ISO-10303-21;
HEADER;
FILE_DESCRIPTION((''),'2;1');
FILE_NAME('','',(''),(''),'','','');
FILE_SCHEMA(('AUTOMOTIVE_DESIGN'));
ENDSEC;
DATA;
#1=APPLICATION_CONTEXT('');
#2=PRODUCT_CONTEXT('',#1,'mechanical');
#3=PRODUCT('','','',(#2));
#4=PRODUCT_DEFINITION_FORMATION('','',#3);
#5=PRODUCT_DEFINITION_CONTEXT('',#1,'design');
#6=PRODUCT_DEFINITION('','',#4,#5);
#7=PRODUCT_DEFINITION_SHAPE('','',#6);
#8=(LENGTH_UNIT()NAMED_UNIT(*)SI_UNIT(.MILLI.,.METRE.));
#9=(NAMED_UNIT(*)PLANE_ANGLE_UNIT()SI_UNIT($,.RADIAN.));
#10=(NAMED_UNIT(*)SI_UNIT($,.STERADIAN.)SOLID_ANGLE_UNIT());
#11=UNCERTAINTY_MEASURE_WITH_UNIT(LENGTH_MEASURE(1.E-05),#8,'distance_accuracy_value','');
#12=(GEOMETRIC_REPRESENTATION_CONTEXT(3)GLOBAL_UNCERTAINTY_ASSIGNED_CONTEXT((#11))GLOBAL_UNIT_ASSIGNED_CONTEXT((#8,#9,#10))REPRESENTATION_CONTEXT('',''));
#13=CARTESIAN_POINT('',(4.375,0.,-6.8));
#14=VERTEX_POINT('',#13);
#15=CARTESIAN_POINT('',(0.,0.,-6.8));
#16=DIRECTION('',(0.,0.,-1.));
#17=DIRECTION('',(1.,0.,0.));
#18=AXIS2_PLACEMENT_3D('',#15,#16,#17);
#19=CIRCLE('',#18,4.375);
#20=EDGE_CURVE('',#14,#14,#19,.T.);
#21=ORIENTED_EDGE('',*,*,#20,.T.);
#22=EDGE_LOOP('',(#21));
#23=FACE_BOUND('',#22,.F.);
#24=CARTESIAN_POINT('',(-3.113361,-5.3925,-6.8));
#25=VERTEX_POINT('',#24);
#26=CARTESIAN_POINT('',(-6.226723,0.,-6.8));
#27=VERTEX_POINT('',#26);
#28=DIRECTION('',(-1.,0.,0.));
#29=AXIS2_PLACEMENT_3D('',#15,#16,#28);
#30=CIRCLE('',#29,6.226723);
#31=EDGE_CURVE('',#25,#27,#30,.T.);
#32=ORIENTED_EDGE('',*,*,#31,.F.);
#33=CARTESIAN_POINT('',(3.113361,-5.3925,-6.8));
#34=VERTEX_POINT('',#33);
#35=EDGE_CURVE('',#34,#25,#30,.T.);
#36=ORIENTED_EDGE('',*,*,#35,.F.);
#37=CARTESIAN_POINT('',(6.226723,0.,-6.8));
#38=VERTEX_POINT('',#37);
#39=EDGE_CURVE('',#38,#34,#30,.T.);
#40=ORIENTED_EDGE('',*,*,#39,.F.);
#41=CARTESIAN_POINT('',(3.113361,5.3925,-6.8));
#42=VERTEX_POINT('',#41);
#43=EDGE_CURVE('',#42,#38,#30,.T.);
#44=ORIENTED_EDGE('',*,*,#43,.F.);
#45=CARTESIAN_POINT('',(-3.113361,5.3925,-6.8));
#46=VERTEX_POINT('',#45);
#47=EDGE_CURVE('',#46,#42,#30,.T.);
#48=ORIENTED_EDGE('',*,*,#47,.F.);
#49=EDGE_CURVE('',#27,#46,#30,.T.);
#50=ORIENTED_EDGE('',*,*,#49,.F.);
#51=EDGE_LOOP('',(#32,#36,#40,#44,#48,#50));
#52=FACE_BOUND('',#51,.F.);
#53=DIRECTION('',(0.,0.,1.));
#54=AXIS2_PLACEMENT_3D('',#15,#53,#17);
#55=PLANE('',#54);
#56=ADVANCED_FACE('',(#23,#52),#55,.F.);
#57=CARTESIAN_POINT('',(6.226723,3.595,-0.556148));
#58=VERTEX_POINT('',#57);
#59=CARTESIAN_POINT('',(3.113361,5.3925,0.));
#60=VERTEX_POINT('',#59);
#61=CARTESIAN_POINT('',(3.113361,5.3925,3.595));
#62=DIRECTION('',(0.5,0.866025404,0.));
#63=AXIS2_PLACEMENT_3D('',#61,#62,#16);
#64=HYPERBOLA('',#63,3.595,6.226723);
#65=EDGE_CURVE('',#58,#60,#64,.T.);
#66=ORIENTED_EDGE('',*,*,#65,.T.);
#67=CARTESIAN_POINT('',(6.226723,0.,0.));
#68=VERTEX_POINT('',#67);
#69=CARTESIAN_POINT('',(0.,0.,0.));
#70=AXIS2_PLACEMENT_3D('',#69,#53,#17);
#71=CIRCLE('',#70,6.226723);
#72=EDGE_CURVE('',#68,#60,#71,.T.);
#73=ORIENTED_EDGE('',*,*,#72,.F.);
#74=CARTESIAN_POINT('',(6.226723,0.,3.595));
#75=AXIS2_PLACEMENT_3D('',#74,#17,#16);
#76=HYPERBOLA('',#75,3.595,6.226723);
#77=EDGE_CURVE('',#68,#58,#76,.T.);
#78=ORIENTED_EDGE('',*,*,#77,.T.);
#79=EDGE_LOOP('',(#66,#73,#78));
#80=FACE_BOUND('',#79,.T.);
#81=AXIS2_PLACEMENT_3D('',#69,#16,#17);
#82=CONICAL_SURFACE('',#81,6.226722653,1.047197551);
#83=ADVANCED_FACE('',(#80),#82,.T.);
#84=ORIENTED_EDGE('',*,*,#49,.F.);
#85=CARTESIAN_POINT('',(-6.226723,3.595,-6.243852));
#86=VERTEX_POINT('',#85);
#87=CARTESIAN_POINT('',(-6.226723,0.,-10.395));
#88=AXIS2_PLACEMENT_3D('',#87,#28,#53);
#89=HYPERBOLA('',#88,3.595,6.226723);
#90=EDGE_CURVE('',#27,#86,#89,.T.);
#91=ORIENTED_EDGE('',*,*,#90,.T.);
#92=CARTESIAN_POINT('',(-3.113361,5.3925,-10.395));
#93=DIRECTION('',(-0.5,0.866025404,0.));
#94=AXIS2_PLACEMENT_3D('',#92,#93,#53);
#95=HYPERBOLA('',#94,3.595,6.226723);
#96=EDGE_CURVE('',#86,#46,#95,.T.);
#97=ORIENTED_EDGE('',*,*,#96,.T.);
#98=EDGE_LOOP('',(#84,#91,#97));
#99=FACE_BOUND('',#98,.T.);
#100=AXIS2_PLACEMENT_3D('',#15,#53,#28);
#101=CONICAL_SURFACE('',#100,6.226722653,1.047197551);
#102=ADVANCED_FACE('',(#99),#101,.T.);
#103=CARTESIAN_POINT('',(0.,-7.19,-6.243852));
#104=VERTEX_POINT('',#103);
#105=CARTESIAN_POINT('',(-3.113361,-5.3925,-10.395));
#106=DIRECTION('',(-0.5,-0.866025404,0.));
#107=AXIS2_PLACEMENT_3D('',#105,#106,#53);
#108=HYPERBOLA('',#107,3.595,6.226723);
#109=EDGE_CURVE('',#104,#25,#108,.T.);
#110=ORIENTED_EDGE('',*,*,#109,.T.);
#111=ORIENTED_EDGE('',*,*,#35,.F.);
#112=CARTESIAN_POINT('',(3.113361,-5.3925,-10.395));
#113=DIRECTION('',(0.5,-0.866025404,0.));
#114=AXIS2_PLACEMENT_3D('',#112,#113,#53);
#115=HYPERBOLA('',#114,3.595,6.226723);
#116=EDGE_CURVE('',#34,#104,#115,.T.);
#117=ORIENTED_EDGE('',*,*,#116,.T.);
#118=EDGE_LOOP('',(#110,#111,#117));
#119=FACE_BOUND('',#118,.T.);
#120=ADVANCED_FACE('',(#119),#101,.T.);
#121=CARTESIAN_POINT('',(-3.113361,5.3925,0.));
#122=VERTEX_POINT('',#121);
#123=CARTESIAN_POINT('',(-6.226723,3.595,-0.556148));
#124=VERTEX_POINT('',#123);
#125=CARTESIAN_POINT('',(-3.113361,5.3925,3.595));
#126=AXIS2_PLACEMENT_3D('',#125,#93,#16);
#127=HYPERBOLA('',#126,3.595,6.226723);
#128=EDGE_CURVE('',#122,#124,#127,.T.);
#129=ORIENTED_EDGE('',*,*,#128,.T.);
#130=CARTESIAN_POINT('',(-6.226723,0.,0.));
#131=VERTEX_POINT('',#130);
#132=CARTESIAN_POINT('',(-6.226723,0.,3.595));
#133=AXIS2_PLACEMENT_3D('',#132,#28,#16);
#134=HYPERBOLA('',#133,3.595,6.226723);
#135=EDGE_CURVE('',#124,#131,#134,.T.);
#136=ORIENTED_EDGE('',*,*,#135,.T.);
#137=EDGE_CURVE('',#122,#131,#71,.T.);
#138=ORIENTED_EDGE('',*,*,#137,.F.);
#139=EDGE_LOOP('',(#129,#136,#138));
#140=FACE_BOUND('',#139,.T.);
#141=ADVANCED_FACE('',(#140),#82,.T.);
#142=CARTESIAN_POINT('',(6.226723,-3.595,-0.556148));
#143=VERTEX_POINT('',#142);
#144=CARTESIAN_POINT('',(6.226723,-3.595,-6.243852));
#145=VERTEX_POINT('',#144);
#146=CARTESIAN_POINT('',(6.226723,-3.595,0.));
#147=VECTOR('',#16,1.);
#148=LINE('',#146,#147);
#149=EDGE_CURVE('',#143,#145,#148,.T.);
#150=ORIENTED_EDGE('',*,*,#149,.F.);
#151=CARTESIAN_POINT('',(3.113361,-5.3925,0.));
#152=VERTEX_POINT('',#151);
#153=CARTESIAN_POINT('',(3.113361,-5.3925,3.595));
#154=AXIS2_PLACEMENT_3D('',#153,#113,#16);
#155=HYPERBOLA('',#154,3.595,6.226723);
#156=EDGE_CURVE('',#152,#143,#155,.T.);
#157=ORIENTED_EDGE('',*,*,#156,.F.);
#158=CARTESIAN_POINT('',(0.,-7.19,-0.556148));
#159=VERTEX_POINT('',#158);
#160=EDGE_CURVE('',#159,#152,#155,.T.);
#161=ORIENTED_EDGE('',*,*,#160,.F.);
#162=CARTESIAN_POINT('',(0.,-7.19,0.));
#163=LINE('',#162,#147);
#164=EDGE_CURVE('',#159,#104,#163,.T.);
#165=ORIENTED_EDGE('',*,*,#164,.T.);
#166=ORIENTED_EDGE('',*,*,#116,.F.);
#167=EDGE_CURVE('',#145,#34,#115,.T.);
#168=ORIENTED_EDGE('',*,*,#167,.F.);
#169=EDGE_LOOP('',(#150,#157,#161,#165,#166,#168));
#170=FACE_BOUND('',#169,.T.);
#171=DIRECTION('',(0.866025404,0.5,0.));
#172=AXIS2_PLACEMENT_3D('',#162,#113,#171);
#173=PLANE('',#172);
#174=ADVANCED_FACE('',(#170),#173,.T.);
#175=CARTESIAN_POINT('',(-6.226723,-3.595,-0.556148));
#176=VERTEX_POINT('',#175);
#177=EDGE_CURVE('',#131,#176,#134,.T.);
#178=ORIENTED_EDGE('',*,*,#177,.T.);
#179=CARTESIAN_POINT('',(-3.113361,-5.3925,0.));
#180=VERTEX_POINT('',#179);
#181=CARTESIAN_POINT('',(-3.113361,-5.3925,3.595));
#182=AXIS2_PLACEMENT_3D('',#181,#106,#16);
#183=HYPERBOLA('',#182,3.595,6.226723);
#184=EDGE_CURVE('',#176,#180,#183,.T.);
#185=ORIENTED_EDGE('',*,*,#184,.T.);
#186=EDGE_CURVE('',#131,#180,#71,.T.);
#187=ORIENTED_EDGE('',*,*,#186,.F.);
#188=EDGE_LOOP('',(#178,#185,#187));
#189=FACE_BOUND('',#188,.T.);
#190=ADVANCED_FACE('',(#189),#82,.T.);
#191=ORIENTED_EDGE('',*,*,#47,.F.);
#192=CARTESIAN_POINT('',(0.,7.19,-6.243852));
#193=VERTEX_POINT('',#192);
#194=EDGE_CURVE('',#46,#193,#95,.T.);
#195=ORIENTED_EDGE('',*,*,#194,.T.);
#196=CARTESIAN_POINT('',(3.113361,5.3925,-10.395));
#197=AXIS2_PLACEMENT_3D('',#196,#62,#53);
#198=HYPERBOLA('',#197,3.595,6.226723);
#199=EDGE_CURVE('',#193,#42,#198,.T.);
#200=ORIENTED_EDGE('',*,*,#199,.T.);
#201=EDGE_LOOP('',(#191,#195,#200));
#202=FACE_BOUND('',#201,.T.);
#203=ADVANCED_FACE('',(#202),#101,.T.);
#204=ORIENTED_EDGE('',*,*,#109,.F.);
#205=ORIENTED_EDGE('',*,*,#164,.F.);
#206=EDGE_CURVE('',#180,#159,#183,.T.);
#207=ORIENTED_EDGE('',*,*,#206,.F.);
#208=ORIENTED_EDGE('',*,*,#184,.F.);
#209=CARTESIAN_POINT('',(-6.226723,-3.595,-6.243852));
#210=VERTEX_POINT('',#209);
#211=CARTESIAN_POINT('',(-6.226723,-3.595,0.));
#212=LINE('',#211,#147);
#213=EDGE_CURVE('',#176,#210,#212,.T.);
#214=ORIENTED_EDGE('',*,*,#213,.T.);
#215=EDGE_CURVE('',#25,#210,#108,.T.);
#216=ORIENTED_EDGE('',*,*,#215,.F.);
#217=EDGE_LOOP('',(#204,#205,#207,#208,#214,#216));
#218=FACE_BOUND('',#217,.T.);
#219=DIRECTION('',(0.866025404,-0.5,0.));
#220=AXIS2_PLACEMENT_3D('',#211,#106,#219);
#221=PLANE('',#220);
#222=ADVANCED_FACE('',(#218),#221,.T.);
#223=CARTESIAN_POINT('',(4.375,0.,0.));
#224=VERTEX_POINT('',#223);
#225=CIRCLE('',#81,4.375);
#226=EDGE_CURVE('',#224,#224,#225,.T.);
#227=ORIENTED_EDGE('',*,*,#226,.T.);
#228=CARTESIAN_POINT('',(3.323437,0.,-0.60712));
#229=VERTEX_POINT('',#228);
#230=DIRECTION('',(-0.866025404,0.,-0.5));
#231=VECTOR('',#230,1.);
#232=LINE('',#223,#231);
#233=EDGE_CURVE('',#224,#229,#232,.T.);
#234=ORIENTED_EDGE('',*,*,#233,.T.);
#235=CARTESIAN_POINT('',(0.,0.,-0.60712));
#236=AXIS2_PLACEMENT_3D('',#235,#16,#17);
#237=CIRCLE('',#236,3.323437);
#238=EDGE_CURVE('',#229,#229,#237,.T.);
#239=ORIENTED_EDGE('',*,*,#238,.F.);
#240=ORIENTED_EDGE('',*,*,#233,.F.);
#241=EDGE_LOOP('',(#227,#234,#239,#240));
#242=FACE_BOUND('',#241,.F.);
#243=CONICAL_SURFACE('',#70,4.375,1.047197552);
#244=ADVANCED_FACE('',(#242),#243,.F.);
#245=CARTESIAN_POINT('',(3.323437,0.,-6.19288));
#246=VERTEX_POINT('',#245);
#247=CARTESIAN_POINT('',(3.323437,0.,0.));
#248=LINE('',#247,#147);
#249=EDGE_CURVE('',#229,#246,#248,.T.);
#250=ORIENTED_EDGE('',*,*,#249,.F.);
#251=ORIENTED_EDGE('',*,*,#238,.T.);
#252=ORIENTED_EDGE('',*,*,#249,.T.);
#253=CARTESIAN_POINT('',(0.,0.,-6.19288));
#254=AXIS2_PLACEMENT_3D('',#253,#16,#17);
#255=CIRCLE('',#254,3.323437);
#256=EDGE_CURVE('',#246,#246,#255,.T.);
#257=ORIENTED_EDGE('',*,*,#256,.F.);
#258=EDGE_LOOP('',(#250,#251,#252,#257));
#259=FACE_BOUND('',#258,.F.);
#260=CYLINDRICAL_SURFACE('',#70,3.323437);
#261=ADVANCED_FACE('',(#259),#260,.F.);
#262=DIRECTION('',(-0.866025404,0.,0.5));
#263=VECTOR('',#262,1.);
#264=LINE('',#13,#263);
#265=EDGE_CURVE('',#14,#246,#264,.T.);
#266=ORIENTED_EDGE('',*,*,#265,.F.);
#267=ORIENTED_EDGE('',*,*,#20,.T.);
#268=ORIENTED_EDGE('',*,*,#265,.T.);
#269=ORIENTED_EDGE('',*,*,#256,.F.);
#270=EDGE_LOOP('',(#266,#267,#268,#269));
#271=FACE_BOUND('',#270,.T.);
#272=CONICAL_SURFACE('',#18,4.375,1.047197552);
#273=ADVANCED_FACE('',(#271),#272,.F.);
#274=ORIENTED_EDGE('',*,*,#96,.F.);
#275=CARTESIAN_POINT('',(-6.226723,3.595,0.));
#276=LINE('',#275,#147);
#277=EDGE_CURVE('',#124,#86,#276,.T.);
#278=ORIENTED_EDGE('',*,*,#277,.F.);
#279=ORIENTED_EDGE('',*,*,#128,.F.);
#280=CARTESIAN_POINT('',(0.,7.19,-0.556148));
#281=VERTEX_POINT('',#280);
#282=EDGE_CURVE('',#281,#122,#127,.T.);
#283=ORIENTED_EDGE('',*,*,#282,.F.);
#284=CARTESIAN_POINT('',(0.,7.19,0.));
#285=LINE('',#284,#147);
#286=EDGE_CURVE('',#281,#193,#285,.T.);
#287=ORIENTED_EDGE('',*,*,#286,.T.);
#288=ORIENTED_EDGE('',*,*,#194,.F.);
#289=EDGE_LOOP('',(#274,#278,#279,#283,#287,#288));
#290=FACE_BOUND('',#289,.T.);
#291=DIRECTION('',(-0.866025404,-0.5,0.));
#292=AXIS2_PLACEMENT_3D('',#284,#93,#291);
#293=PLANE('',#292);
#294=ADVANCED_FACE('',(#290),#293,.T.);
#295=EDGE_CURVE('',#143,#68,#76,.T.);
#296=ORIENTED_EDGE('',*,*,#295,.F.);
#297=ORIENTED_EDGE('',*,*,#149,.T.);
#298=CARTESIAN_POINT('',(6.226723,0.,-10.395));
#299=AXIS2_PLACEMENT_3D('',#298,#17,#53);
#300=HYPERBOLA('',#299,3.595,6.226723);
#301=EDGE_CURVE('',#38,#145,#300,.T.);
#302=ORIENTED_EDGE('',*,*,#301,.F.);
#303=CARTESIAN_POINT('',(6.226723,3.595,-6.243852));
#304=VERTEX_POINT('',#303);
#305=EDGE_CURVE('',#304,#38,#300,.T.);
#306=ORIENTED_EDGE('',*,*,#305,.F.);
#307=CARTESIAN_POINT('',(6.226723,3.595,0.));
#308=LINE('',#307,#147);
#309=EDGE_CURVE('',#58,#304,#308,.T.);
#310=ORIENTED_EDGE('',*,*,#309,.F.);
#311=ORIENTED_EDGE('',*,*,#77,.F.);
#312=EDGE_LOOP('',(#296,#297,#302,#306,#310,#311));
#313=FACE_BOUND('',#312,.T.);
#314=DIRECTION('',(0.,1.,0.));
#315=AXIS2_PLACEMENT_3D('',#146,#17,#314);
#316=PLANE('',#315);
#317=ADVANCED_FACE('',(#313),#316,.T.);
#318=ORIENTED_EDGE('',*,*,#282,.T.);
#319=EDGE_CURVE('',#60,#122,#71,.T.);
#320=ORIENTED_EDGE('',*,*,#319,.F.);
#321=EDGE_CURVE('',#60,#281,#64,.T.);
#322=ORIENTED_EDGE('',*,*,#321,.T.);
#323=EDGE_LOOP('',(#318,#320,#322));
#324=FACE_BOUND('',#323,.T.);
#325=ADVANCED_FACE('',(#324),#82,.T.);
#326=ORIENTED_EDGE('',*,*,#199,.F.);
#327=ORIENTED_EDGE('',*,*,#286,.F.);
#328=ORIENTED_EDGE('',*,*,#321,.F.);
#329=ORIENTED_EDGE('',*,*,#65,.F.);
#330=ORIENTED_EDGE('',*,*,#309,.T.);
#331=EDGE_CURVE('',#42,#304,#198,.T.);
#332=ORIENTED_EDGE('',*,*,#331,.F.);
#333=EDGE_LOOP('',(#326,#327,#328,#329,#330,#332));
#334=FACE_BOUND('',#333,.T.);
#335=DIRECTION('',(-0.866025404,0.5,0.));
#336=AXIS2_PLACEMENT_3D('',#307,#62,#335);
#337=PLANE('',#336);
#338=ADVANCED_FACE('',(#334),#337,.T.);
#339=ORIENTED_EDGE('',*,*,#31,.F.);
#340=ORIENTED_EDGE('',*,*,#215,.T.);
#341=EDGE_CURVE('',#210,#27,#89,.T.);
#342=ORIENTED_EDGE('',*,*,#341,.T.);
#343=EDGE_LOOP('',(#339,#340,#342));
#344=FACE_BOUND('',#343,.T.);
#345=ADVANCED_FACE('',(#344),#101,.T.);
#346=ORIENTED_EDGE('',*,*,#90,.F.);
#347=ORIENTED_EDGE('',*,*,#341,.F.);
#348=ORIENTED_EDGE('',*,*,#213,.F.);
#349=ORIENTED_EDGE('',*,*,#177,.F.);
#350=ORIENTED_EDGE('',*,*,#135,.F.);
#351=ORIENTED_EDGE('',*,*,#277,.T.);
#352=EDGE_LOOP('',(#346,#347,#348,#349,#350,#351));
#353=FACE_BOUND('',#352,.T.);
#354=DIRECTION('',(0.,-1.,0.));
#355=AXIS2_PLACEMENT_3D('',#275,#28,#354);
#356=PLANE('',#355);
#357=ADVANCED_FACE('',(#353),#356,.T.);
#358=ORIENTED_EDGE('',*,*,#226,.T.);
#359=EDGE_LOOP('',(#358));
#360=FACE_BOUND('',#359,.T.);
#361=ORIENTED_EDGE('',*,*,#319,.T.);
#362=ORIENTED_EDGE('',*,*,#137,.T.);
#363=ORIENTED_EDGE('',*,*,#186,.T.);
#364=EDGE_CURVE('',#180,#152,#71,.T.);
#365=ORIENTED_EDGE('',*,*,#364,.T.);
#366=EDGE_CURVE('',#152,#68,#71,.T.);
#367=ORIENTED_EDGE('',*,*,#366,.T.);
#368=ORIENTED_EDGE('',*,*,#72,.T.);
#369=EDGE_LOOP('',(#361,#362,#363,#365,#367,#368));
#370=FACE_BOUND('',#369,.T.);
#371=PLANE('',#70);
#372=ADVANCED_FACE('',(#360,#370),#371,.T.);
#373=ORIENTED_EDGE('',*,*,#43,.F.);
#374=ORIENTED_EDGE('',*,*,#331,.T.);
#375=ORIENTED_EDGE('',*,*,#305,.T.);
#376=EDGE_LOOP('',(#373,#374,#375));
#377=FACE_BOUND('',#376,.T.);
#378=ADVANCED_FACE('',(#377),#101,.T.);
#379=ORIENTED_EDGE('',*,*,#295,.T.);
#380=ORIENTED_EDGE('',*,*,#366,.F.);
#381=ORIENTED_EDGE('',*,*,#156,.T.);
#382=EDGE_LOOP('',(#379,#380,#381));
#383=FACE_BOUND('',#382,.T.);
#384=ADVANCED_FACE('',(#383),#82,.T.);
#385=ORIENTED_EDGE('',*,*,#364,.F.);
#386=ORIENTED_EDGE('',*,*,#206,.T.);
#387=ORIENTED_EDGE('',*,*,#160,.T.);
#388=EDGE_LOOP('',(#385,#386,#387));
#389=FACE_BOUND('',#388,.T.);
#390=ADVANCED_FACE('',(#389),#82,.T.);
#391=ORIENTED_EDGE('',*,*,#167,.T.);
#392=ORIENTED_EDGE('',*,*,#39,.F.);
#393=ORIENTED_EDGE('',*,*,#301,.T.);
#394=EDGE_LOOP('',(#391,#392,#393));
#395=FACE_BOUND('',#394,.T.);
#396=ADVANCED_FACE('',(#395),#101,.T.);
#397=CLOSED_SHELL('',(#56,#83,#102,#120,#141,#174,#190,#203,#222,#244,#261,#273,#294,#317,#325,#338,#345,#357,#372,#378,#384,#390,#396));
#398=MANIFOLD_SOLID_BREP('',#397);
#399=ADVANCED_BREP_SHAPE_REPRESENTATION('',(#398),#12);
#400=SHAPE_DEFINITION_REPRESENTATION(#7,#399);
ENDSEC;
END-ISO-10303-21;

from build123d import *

# Parameters (mm, degrees)
SKETCH_3_R          = 3.3234375
EXTRUDE_1_DEPTH     = 6.8
SKETCH_5_R          = 10.785
SKETCH_5_R_2        = 6.226722653
CUT_EXTRUDE_1_DEPTH = 1.36
CUT_EXTRUDE_1_DRAFT = -60
SKETCH_7_R          = 10.785
SKETCH_7_R_2        = 6.226722653
CUT_EXTRUDE_2_DEPTH = 1.36
CUT_EXTRUDE_2_DRAFT = -60


with BuildPart() as part:
    # 草图3 → 凸台-拉伸1 (new body)
    with BuildSketch(Plane.XY):
        Polygon((0, 7.19), (-6.226722653, 3.595), (-6.226722653, -3.595), (0, -7.19), (6.226722653, -3.595), (6.226722653, 3.595), align=None)
        Circle(SKETCH_3_R, mode=Mode.SUBTRACT)
    extrude(amount=-EXTRUDE_1_DEPTH)

    # 草图4 → 切除-旋转1 (revolve, cut)
    with BuildSketch(Plane(origin=(0, 0, 0), x_dir=(0, 0, -1), z_dir=(1, 0, 0)), mode=Mode.PRIVATE) as cut_revolve_1_sk:
        Polygon((0, 4.375), (0.607119892, 3.3234375), (0.607119892, 0), (0, 0), align=None)
        Polygon((6.8, 0), (6.8, 4.375), (6.192880108, 3.3234375), (6.192880108, 0), align=None)
    revolve(cut_revolve_1_sk.sketch.rotate(Axis((0, 0, 0), (0, 0, -1)), 90), axis=Axis((0, 0, 0), (0, 0, -1)), mode=Mode.SUBTRACT)


with BuildPart() as cut_extrude_1_tool:
    # 草图5 → 切除-拉伸1 (with draft: the straight prism first)
    with BuildSketch(Plane.XY):
        Circle(SKETCH_5_R)
        Circle(SKETCH_5_R_2, mode=Mode.SUBTRACT)
    extrude(amount=-CUT_EXTRUDE_1_DEPTH)
    # 切除-拉伸1: the draft: its side faces are tilted about the plane it starts from
    cut_extrude_1_sides = [cut_extrude_1_tool.faces().sort_by_distance(p)[0] for p in [
        (-10.785, 0, -0.68),
        (-6.226722653, 0, -0.68),
    ]]
    draft(cut_extrude_1_sides, Plane.XY, CUT_EXTRUDE_1_DRAFT)


with BuildPart() as part_1:
    add(part.part)

    # 切除-拉伸1: cut by cut_extrude_1_tool
    add(cut_extrude_1_tool.part, mode=Mode.SUBTRACT)


with BuildPart() as cut_extrude_2_tool:
    # 草图7 → 切除-拉伸2 (with draft: the straight prism first)
    with BuildSketch(Plane(origin=(0, 0, -6.8), x_dir=(-1, 0, 0), z_dir=(0, 0, -1))):
        Circle(SKETCH_7_R)
        Circle(SKETCH_7_R_2, mode=Mode.SUBTRACT)
    extrude(amount=-CUT_EXTRUDE_2_DEPTH)
    # 切除-拉伸2: the draft: its side faces are tilted about the plane it starts from
    cut_extrude_2_sides = [cut_extrude_2_tool.faces().sort_by_distance(p)[0] for p in [
        (10.785, 0, -6.12),
        (6.226722653, 0, -6.12),
    ]]
    draft(cut_extrude_2_sides, Plane(origin=(0, 0, -6.8), x_dir=(-1, 0, 0), z_dir=(0, 0, -1)), CUT_EXTRUDE_2_DRAFT)


with BuildPart() as part_2:
    add(part_1.part)

    # 切除-拉伸2: cut by cut_extrude_2_tool
    add(cut_extrude_2_tool.part, mode=Mode.SUBTRACT)


solid = part_2.part
